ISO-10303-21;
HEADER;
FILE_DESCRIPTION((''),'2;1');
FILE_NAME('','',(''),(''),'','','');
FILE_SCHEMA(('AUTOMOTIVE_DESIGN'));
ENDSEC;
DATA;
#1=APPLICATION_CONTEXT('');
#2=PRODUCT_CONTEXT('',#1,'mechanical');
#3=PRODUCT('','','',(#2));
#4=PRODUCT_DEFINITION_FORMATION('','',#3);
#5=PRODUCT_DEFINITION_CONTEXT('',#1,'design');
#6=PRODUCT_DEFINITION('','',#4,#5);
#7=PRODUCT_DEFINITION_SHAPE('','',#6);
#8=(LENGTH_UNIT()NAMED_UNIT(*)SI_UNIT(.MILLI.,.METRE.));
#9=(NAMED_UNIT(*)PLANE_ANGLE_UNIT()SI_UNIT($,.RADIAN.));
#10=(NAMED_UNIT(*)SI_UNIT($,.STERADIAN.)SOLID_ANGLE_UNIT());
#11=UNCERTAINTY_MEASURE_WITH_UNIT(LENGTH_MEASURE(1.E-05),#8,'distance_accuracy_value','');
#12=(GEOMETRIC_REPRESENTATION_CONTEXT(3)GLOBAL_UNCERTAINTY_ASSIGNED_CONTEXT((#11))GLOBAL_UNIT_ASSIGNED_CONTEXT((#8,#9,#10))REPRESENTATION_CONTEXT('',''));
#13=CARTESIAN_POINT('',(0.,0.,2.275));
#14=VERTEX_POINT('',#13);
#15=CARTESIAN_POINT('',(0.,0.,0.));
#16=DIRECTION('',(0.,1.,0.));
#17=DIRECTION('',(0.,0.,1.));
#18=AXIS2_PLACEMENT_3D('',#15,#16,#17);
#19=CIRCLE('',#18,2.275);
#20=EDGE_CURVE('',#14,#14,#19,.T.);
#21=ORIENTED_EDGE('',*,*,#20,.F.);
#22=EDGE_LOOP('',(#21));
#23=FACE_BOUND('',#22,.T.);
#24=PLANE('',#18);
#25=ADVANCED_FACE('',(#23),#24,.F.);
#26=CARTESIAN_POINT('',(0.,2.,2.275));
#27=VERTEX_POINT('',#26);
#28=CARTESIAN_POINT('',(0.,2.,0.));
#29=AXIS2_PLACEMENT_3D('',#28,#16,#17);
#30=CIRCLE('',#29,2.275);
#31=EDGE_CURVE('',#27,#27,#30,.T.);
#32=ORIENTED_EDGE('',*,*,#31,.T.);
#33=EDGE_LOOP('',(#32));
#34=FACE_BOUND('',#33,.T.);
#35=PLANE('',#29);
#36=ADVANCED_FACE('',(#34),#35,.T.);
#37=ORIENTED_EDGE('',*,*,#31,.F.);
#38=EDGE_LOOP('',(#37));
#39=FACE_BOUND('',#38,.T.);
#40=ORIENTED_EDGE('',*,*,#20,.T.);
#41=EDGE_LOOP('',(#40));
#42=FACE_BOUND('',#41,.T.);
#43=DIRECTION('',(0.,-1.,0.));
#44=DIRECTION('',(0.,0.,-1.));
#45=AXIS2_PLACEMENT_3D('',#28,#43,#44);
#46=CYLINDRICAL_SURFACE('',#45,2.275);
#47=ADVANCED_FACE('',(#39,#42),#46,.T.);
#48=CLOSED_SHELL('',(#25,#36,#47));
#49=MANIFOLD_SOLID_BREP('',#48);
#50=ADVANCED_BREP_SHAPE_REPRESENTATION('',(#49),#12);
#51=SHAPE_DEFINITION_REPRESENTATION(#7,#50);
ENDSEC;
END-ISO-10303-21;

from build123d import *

# Parameters (mm, degrees)
SKETCH_1_R      = 2.275
EXTRUDE_1_DEPTH = 2


with BuildPart() as part:
    # 스케치1 → 보스-돌출1 (new body)
    with BuildSketch(Plane(origin=(0, 0, 0), x_dir=(1, 0, 0), z_dir=(0, 1, 0))):
        with Locations(Location((0, 0, 0), (0, 0, 270))):
            Circle(SKETCH_1_R)
    extrude(amount=EXTRUDE_1_DEPTH)


solid = part.part
